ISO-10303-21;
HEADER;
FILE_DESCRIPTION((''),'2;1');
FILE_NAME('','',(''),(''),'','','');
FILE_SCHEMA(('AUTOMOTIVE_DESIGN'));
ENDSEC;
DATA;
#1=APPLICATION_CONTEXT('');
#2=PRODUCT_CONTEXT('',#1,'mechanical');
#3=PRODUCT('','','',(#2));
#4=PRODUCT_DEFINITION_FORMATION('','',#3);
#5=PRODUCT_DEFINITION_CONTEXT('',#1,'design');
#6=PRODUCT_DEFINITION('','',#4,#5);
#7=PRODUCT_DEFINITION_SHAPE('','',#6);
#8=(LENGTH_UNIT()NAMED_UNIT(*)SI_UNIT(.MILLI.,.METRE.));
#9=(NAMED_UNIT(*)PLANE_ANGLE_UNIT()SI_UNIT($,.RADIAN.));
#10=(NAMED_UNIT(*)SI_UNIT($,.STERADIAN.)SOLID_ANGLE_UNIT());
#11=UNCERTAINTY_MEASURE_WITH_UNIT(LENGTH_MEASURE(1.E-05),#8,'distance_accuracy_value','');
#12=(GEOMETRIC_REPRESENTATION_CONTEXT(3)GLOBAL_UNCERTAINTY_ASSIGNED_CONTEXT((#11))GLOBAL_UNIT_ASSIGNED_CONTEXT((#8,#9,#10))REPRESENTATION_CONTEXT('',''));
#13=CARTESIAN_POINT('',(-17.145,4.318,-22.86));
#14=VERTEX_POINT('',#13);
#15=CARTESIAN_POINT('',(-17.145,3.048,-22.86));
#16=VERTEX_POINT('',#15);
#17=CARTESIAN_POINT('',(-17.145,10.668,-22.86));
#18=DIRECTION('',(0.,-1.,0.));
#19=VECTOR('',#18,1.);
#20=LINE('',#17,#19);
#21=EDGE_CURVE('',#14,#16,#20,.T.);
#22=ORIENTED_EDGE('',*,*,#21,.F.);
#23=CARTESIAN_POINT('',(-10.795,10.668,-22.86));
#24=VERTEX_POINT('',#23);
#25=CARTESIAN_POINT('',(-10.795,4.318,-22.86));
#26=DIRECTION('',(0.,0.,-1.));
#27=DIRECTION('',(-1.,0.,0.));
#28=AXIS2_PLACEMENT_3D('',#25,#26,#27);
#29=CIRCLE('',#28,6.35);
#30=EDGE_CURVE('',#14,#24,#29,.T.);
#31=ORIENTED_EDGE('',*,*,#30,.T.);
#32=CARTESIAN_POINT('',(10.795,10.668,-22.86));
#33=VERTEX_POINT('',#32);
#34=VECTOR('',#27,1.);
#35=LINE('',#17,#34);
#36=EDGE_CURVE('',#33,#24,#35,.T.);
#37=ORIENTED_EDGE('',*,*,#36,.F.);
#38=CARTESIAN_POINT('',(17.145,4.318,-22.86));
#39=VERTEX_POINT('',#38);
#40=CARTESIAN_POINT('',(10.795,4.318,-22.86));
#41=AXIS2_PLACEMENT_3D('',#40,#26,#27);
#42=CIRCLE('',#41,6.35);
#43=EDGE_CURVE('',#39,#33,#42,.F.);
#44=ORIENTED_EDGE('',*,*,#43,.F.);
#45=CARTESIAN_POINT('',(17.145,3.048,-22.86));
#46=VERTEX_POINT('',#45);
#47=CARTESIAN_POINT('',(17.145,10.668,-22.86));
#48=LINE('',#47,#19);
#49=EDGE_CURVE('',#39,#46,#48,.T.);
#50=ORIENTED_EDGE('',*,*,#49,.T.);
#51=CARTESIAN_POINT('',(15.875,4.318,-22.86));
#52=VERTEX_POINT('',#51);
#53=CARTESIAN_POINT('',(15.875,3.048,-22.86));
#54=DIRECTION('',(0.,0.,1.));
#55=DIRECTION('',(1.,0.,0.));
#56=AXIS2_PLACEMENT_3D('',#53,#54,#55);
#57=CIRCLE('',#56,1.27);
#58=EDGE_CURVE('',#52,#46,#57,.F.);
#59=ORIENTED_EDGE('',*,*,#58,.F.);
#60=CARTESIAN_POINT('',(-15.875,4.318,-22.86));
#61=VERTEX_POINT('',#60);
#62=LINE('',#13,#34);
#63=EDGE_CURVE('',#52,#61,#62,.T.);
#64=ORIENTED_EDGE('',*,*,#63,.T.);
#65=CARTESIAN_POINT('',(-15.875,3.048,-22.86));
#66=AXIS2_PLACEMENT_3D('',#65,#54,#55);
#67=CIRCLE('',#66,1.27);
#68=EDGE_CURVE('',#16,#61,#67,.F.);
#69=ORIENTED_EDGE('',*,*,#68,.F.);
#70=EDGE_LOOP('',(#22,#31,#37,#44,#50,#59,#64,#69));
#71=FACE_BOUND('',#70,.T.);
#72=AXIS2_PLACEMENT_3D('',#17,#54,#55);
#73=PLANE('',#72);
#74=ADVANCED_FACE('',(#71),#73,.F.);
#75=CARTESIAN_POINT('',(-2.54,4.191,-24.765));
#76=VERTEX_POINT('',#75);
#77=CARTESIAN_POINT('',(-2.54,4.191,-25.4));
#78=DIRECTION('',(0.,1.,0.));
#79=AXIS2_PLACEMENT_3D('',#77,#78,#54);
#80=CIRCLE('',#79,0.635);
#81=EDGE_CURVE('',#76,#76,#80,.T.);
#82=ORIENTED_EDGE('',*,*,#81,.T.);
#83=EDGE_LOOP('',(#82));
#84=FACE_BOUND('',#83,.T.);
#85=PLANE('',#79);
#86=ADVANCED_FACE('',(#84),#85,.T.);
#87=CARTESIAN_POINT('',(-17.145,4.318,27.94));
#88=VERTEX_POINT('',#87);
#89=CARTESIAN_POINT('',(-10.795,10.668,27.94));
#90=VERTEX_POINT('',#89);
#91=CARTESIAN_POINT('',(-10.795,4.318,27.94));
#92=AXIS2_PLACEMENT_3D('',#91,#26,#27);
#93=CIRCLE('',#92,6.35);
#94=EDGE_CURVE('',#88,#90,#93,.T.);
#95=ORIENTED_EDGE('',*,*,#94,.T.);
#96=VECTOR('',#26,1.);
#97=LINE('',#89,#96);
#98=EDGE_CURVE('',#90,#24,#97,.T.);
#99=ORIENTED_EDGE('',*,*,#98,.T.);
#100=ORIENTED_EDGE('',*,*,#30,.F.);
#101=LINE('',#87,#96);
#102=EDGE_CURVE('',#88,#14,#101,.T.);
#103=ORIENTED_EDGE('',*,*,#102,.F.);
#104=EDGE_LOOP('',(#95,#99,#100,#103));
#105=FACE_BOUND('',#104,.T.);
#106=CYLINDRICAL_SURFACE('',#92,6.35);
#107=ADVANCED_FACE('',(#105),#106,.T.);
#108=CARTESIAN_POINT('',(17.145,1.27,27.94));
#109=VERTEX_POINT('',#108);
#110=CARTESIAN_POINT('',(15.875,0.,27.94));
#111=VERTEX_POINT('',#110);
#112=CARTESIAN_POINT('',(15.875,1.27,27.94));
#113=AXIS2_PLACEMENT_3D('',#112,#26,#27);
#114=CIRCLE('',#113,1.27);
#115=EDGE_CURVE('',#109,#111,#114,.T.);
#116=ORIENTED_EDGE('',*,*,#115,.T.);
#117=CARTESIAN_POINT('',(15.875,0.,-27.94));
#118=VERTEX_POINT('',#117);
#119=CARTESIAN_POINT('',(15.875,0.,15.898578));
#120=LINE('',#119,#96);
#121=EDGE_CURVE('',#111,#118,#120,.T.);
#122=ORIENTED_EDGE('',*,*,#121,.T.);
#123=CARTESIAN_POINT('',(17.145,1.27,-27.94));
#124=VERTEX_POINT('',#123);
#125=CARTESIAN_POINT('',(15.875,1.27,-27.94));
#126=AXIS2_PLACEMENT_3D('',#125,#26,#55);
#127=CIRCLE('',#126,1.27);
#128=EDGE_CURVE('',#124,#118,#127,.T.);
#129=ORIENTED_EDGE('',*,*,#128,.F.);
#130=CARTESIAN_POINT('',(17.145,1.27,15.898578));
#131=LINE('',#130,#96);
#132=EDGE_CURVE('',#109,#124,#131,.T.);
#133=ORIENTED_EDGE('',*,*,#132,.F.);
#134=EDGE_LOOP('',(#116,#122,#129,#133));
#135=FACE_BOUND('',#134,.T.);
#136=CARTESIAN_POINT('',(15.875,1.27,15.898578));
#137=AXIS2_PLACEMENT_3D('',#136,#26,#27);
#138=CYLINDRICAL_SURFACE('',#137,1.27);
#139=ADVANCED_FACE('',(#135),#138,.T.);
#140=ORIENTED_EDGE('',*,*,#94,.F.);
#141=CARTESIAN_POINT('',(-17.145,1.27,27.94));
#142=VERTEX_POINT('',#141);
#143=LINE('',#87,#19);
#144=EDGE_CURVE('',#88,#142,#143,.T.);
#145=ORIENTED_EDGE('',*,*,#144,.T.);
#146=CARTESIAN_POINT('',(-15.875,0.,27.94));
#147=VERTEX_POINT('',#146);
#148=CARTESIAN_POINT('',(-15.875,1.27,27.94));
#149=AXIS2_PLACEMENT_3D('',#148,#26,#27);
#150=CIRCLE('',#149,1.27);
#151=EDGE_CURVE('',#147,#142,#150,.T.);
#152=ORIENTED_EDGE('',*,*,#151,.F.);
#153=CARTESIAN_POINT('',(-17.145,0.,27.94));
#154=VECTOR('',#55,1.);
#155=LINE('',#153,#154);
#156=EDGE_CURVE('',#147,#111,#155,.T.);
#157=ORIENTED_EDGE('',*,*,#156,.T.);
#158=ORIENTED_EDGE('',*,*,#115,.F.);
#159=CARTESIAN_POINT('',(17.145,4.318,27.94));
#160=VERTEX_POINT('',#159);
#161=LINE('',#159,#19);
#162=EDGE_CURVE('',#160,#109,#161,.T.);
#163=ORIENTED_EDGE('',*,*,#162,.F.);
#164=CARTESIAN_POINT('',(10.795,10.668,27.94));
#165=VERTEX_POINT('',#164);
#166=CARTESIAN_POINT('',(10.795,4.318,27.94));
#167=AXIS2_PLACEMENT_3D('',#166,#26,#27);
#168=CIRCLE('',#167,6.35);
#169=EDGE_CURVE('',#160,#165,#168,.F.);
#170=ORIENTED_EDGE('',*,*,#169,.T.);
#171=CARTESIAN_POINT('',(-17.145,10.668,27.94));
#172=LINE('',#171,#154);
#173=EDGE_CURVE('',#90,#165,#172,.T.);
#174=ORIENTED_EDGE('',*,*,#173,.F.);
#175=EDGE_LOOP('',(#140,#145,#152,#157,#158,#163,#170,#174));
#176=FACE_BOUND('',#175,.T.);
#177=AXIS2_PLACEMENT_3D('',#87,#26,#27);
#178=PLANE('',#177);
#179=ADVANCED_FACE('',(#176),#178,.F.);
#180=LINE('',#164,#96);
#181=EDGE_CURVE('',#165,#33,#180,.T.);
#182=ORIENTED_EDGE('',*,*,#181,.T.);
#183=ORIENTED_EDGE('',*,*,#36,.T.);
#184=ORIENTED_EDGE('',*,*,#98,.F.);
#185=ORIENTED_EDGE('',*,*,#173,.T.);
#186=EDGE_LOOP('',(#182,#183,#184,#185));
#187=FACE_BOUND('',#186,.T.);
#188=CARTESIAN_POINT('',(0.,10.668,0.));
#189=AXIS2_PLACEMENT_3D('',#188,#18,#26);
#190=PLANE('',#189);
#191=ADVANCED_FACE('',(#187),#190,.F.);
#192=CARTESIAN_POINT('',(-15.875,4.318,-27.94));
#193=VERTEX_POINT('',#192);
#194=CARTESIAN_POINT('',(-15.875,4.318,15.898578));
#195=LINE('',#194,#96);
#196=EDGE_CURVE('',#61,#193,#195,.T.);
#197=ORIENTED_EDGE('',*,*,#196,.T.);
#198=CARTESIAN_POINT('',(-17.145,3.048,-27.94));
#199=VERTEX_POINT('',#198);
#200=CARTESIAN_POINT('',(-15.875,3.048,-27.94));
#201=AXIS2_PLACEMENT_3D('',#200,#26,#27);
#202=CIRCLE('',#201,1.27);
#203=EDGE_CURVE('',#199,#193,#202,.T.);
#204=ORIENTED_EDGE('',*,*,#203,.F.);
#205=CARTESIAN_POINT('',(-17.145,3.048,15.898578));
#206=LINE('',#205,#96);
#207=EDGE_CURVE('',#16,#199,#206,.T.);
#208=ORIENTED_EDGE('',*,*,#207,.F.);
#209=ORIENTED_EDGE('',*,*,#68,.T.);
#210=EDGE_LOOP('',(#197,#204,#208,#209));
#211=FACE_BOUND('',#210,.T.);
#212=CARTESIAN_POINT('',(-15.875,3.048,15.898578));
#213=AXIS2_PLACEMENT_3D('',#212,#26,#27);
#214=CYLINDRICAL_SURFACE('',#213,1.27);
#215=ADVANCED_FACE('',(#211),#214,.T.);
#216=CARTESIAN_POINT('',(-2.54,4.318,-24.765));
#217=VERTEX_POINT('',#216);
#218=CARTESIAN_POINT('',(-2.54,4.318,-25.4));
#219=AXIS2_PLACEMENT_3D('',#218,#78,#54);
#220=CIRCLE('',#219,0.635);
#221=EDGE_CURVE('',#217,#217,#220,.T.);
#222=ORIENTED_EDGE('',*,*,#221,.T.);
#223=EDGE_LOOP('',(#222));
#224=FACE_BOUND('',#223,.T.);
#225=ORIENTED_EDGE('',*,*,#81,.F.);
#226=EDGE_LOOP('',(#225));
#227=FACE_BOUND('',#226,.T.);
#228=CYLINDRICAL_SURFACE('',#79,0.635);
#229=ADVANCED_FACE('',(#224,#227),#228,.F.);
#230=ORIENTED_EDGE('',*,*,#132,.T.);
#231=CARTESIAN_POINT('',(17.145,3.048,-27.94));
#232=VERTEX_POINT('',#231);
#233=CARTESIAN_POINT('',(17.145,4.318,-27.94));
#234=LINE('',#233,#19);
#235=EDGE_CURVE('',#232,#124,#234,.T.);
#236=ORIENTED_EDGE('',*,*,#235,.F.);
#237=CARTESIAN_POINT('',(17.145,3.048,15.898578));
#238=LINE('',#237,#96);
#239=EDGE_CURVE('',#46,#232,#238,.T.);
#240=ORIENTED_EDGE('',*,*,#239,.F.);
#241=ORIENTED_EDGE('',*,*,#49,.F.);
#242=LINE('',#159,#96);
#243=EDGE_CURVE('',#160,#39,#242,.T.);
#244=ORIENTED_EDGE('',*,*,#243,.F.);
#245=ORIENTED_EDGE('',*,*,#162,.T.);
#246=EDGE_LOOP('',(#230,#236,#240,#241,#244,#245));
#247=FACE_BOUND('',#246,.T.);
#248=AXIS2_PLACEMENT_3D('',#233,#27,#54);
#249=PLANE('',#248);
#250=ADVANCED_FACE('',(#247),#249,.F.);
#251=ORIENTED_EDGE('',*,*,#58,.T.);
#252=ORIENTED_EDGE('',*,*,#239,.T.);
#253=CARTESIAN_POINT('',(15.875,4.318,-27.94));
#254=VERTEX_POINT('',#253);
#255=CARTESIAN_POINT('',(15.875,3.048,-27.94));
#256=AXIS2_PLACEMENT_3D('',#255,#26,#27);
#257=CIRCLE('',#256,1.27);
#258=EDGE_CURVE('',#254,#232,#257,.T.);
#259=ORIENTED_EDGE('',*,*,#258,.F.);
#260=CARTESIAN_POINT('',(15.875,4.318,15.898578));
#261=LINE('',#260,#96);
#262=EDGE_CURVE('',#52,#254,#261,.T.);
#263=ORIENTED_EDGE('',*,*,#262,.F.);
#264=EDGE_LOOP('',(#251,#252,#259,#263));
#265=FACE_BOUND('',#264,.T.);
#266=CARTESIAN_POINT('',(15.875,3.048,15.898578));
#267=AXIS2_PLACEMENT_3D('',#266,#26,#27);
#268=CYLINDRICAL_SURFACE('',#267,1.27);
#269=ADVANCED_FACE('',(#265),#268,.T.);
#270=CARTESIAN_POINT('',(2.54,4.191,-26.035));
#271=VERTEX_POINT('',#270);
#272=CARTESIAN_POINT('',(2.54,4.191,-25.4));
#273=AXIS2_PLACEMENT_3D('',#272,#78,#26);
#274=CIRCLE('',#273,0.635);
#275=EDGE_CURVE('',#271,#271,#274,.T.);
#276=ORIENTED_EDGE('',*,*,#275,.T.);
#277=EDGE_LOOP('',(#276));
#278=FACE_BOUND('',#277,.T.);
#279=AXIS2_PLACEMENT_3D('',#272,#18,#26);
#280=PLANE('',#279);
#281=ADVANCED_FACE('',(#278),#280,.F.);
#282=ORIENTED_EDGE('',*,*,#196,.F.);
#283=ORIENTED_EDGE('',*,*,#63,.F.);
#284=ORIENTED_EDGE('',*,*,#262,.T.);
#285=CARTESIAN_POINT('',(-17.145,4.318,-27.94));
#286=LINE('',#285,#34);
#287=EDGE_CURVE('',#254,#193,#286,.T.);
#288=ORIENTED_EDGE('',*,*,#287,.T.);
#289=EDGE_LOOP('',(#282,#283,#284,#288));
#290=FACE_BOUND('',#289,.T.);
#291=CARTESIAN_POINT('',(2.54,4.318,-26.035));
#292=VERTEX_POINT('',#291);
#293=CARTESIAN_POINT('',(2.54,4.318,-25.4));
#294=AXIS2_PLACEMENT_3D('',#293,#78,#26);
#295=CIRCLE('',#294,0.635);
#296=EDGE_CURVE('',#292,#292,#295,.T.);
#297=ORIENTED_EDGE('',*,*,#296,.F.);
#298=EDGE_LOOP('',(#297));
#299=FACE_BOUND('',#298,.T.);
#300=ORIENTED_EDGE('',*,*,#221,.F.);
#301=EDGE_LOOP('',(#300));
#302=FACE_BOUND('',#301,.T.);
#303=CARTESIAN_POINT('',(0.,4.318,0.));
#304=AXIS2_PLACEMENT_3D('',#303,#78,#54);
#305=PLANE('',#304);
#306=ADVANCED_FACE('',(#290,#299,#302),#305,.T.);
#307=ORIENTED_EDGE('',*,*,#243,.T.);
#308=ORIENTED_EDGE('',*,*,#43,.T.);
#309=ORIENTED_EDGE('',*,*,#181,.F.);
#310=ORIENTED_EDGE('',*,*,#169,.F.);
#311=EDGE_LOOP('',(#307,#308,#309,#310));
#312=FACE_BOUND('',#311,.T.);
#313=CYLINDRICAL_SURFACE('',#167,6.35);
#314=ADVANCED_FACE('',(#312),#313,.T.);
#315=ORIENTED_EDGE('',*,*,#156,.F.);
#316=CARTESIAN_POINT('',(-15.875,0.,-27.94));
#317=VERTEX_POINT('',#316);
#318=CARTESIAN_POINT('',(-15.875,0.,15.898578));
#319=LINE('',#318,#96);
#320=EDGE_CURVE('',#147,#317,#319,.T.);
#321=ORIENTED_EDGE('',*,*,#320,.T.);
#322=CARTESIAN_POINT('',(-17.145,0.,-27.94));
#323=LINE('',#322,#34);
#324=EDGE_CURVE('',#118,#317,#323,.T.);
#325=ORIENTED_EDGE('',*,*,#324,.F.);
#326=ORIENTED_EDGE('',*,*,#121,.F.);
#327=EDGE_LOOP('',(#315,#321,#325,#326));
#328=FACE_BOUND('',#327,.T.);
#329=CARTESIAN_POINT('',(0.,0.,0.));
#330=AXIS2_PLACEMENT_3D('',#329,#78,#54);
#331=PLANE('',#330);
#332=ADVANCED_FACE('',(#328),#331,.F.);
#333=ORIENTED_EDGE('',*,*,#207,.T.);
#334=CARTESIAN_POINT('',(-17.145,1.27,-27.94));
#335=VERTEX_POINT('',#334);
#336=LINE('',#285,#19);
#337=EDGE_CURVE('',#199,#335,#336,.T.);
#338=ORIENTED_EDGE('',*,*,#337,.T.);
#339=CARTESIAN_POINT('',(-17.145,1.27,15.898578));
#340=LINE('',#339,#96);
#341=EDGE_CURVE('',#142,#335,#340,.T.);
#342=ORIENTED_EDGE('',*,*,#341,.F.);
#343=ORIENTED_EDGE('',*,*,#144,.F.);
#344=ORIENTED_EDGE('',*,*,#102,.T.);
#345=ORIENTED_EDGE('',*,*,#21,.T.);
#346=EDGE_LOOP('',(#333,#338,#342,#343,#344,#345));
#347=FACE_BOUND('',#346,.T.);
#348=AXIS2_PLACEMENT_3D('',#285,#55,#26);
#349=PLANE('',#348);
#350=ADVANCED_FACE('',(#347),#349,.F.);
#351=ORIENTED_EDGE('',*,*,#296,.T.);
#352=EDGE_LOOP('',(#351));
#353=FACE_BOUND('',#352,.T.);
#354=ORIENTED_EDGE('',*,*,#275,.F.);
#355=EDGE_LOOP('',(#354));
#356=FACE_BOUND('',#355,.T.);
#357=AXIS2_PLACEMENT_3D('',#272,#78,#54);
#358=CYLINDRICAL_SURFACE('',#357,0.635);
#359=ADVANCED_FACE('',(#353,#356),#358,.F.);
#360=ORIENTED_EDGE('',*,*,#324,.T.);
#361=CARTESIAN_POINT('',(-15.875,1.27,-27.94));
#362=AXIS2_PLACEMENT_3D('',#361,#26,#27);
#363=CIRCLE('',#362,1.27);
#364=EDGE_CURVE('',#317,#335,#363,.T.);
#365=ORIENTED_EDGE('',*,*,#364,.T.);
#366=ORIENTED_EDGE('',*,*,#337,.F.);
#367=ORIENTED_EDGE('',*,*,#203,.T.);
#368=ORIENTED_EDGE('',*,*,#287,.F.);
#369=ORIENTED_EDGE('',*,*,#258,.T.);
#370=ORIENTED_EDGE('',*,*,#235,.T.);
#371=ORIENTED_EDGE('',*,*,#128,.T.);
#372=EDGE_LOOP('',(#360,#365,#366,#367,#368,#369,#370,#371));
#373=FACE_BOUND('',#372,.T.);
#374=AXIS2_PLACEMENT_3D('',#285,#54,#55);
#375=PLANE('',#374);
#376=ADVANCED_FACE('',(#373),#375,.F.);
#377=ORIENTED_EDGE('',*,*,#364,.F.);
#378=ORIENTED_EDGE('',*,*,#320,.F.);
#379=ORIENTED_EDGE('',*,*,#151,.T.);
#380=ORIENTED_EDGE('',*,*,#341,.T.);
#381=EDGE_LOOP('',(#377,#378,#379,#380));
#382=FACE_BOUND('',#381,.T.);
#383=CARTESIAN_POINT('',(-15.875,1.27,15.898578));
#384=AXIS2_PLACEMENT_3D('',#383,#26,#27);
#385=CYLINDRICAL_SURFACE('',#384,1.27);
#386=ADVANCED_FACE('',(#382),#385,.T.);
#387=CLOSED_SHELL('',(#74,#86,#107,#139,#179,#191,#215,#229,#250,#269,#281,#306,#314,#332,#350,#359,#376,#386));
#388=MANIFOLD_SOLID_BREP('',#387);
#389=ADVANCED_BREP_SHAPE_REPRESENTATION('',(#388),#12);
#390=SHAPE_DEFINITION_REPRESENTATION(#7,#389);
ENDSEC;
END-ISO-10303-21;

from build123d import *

# Parameters (mm, degrees)
SKETCH1_W           = 34.29
SKETCH1_H           = 55.88
BOSS_EXTRUDE1_DEPTH = 4.318
SKETCH2_W           = 34.29
SKETCH2_H           = 50.8
BOSS_EXTRUDE2_DEPTH = 6.35
SKETCH3_OUTSIDE_W   = 49.574
SKETCH3_OUTSIDE_H   = 25.952
CUT_EXTRUDE1_DEPTH  = 5.08
CUT_EXTRUDE2_DEPTH  = 55.666234999
SKETCH6_R           = 0.635
CUT_EXTRUDE3_DEPTH  = 0.127


with BuildPart() as part:
    # Sketch1 → Boss-Extrude1 (new body)
    with BuildSketch(Plane(origin=(0, 0, 0), x_dir=(1, 0, 0), z_dir=(0, 1, 0))):
        Rectangle(SKETCH1_W, SKETCH1_H)
    extrude(amount=BOSS_EXTRUDE1_DEPTH)

    # Sketch2 → Boss-Extrude2 (add)
    with BuildSketch(Plane(origin=(0, 4.318, 0), x_dir=(1, 0, 0), z_dir=(0, 1, 0))):
        with Locations((0, -2.54)):
            Rectangle(SKETCH2_W, SKETCH2_H)
    extrude(amount=BOSS_EXTRUDE2_DEPTH)

    # Sketch3 outside → Cut-Extrude1 (cut)
    with BuildSketch(Plane(origin=(0, 0, -27.94), x_dir=(-1, 0, 0), z_dir=(0, 0, -1))):
        with Locations((0, 5.334)):
            Rectangle(SKETCH3_OUTSIDE_W, SKETCH3_OUTSIDE_H)
        with BuildLine():
            Line((-15.875, 0), (15.875, 0))
            ThreePointArc((15.875, 0), (16.773025612, 0.371974388), (17.145, 1.27))
            Line((17.145, 1.27), (17.145, 3.048))
            ThreePointArc((17.145, 3.048), (16.773025612, 3.946025612), (15.875, 4.318))
            Line((15.875, 4.318), (-15.875, 4.318))
            ThreePointArc((-15.875, 4.318), (-16.773025612, 3.946025612), (-17.145, 3.048))
            Line((-17.145, 3.048), (-17.145, 1.27))
            ThreePointArc((-17.145, 1.27), (-16.773025612, 0.371974388), (-15.875, 0))
        make_face(mode=Mode.SUBTRACT)
    extrude(amount=-CUT_EXTRUDE1_DEPTH, mode=Mode.SUBTRACT)

    # Sketch4 → Cut-Extrude2 (cut, through all)
    with BuildSketch(Plane(origin=(0, 0, -22.86), x_dir=(-1, 0, 0), z_dir=(0, 0, -1))):
        with BuildLine():
            Line((-17.145, 10.668), (-17.145, 4.318))
            ThreePointArc((-17.145, 4.318), (-15.285128061, 8.808128061), (-10.795, 10.668))
            Line((-10.795, 10.668), (-17.145, 10.668))
        make_face()
        with BuildLine():
            Line((17.145, 10.668), (10.795, 10.668))
            ThreePointArc((10.795, 10.668), (15.285128061, 8.808128061), (17.145, 4.318))
            Line((17.145, 4.318), (17.145, 10.668))
        make_face()
        with BuildLine():
            Line((-17.145, 1.27), (-17.145, 0))
            Line((-17.145, 0), (-15.875, 0))
            ThreePointArc((-15.875, 0), (-16.773025612, 0.371974388), (-17.145, 1.27))
        make_face()
        with BuildLine():
            Line((17.145, 0), (17.145, 1.27))
            ThreePointArc((17.145, 1.27), (16.773025612, 0.371974388), (15.875, 0))
            Line((15.875, 0), (17.145, 0))
        make_face()
    extrude(amount=-CUT_EXTRUDE2_DEPTH, mode=Mode.SUBTRACT)

    # Sketch6 → Cut-Extrude3 (cut)
    with BuildSketch(Plane(origin=(0, 4.318, 0), x_dir=(1, 0, 0), z_dir=(0, 1, 0))):
        with Locations(Location((-2.54, 25.4, 0), (0, 0, 270))):
            Circle(SKETCH6_R)
        with Locations(Location((2.54, 25.4, 0), (0, 0, 90))):
            Circle(SKETCH6_R)
    extrude(amount=-CUT_EXTRUDE3_DEPTH, mode=Mode.SUBTRACT)


solid = part.part
